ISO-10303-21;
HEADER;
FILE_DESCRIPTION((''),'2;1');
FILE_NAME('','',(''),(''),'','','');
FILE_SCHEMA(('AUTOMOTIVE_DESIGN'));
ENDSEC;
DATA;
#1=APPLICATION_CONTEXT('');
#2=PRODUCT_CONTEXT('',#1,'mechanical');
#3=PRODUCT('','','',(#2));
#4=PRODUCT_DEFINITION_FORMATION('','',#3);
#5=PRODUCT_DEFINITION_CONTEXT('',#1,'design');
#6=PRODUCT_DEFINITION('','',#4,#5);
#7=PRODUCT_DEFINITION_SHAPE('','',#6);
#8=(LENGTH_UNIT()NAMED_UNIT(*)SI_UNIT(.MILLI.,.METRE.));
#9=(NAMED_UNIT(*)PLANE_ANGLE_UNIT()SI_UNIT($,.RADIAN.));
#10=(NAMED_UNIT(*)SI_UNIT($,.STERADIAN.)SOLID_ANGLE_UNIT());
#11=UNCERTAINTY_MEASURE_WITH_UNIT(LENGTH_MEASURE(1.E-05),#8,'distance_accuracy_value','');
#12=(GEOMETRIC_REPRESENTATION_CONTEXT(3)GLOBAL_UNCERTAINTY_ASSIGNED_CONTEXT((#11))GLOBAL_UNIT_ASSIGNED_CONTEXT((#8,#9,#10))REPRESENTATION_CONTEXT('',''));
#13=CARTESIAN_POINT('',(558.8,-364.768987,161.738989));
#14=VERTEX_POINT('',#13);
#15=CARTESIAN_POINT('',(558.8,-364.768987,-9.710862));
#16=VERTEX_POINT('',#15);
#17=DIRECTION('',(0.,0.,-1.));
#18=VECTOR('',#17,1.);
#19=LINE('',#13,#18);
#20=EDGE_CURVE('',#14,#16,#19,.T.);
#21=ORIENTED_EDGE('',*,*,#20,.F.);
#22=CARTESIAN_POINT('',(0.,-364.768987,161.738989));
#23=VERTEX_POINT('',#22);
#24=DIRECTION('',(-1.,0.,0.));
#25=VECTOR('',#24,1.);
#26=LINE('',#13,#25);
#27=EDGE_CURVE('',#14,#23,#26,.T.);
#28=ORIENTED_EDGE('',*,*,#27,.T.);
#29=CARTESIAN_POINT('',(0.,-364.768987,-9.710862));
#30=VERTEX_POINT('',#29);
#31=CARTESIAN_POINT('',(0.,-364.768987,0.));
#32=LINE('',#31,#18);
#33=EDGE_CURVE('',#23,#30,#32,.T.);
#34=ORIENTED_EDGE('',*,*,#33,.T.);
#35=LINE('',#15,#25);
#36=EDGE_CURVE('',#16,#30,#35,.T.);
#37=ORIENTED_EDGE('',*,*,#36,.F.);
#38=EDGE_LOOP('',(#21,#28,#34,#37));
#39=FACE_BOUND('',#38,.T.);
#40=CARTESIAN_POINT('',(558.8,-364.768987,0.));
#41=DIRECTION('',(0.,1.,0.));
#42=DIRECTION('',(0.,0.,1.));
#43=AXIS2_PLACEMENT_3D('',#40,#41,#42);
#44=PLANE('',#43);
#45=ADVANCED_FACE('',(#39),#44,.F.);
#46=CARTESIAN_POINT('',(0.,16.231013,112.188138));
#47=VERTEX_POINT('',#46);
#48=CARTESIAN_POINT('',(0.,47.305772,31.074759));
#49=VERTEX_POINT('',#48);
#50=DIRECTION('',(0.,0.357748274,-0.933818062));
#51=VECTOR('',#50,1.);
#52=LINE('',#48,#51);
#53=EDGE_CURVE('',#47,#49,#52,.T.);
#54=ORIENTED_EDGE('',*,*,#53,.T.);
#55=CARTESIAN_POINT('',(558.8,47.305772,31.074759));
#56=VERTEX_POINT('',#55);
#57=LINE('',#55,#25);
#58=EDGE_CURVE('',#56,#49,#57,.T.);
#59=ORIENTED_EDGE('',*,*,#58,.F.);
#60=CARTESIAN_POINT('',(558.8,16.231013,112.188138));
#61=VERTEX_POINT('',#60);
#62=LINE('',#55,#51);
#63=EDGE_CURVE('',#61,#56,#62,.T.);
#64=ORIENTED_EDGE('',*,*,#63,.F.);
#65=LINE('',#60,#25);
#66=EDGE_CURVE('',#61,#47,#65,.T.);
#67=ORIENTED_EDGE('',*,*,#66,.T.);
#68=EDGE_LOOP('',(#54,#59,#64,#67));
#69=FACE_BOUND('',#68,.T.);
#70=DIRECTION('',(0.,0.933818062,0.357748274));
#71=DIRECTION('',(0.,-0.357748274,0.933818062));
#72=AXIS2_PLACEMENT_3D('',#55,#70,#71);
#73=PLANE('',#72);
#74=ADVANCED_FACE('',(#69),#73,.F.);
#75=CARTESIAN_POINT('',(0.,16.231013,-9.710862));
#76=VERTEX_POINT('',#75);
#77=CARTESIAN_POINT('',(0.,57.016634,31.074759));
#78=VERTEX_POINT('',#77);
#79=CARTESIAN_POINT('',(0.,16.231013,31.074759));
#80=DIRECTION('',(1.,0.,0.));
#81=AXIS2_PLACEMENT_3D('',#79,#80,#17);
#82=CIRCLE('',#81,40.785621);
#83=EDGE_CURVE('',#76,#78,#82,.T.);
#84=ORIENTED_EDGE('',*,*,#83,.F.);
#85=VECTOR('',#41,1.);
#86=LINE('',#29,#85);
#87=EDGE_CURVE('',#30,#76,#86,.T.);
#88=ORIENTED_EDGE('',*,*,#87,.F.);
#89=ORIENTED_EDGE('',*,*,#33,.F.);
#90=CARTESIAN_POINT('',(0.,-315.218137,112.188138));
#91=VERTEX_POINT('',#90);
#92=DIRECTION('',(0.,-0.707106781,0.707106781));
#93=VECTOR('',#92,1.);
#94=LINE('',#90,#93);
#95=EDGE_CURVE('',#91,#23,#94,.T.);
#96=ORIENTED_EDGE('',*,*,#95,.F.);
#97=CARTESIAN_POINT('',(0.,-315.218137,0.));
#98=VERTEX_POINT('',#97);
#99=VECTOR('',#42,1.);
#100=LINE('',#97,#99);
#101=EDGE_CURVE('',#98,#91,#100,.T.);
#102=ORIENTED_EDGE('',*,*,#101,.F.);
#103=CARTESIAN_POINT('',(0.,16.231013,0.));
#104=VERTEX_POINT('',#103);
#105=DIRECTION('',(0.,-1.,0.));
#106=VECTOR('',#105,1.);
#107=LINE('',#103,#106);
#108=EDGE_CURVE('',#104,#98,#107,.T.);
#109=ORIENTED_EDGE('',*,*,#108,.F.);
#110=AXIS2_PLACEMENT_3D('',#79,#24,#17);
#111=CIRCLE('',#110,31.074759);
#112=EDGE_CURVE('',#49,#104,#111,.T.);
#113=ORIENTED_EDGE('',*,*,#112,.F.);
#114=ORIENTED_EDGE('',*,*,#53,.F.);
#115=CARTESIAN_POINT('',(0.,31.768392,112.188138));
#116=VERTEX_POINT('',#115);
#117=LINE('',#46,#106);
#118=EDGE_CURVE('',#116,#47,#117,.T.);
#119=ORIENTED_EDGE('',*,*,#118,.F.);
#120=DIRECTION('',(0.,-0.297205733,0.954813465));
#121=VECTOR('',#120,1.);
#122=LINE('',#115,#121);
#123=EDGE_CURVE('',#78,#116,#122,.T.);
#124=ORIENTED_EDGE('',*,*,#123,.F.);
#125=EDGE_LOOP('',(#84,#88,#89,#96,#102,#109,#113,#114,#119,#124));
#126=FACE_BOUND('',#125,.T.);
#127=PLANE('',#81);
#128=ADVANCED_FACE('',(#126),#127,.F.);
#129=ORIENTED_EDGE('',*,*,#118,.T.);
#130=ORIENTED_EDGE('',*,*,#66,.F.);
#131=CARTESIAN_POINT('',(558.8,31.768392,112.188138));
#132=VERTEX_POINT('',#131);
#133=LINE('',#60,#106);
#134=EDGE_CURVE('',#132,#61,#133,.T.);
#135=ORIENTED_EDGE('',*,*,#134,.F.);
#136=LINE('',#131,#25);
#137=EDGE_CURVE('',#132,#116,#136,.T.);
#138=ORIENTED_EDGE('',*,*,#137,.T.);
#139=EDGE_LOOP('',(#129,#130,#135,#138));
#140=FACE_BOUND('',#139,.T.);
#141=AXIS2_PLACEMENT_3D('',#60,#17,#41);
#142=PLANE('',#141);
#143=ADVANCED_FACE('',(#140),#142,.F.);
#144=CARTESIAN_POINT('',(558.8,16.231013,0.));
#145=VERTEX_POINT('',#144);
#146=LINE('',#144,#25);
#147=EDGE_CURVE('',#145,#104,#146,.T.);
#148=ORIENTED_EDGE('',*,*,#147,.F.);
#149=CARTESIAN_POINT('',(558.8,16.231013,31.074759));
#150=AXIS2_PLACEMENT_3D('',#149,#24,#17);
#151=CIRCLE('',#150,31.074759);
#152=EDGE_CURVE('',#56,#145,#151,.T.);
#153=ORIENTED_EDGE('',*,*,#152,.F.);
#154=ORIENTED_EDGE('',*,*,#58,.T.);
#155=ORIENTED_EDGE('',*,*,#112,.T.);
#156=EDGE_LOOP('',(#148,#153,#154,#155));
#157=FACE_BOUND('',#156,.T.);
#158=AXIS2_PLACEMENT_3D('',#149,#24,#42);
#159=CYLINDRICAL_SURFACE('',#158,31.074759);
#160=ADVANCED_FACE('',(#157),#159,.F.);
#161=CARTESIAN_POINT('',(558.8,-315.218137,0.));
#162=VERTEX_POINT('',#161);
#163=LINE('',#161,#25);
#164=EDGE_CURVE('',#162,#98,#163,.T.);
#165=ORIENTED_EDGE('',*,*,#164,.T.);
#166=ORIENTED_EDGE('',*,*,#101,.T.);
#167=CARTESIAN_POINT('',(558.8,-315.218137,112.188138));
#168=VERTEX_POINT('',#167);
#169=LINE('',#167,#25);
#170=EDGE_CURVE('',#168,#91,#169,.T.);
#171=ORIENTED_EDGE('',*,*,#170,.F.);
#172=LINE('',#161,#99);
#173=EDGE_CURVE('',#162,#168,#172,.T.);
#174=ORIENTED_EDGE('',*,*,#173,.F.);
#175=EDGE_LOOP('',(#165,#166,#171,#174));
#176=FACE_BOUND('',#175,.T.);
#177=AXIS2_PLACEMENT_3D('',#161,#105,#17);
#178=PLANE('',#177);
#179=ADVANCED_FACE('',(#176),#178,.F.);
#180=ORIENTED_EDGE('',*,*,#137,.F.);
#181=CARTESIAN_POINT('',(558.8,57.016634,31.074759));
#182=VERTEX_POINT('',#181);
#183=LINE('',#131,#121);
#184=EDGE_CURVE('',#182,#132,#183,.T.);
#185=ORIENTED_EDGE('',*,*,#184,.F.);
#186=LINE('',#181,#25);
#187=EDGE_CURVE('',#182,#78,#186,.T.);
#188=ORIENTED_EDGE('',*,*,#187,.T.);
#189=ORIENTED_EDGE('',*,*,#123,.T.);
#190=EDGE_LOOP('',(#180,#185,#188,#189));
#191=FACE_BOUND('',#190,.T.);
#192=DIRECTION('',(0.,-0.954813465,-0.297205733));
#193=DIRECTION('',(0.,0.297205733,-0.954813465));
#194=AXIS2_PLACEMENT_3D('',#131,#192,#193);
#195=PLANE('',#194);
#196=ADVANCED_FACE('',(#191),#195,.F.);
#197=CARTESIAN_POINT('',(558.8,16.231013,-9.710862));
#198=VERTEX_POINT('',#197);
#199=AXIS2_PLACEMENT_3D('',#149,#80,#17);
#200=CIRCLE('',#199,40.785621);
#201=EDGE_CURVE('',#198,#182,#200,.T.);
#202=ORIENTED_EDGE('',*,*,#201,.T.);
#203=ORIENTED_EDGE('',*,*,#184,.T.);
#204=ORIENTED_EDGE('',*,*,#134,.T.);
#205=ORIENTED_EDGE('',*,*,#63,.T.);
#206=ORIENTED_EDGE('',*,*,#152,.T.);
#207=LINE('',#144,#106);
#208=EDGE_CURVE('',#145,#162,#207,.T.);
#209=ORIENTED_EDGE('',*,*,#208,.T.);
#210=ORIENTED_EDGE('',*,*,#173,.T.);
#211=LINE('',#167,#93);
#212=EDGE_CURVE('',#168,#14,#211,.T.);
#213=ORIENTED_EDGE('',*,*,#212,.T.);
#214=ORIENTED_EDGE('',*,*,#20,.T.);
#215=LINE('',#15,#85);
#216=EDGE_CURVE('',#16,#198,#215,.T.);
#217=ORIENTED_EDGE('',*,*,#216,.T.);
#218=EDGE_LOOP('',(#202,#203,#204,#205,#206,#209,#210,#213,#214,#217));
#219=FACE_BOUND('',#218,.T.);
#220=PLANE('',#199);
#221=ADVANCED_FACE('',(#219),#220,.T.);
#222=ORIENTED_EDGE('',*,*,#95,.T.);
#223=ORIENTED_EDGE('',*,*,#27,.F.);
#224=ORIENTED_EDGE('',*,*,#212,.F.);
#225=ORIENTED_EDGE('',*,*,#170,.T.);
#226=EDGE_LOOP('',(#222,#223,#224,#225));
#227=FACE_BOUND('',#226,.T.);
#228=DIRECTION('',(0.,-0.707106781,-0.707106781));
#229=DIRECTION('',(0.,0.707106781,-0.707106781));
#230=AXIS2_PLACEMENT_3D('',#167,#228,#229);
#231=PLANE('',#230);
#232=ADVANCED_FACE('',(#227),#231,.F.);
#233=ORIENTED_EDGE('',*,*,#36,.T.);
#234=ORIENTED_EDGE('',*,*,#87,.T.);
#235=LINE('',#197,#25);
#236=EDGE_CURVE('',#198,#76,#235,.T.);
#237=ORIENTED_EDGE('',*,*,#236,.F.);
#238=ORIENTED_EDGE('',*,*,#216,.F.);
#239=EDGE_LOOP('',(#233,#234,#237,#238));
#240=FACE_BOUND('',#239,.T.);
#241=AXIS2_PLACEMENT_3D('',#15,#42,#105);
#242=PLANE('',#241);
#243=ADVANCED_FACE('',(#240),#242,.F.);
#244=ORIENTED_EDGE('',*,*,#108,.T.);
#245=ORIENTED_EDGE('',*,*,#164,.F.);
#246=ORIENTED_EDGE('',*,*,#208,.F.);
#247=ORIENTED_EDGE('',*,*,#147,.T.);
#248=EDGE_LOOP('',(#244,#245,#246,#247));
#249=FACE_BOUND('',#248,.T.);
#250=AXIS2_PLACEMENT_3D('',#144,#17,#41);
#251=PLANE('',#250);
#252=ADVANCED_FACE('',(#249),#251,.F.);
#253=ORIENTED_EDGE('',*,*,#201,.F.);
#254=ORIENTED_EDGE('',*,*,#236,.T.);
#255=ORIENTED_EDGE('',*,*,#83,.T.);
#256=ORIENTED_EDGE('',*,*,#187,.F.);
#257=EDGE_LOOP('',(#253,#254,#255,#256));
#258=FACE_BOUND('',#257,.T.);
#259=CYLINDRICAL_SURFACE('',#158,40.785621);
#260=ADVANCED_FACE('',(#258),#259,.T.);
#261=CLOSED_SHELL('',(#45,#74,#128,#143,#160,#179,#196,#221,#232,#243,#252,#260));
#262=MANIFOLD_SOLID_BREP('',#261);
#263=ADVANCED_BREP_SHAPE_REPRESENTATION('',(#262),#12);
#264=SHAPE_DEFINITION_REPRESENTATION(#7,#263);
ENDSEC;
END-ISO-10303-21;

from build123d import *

# Parameters (mm, degrees)
BOSS_EXTRUDE1_DEPTH = 558.8


with BuildPart() as part:
    # Sketch1 → Boss-Extrude1 (new body)
    with BuildSketch(Plane(origin=(0, 0, 0), x_dir=(0, 0, -1), z_dir=(1, 0, 0))):
        with BuildLine():
            Line((0, 16.231012583), (0, -315.218136756))
            Line((0, -315.218136756), (-112.188138154, -315.218136756))
            Line((-112.188138154, -315.218136756), (-161.738988814, -364.768987417))
            Line((-161.738988814, -364.768987417), (0, -364.768987417))
            Line((0, -364.768987417), (9.710862229, -364.768987417))
            Line((9.710862229, -364.768987417), (9.710862229, 16.231012583))
            ThreePointArc((9.710862229, 16.231012583), (-2.234969693, 45.070802024), (-31.074759134, 57.016633947))
            Line((-31.074759134, 57.016633947), (-112.188138154, 31.76839215))
            Line((-112.188138154, 31.76839215), (-112.188138154, 16.231012583))
            Line((-112.188138154, 16.231012583), (-31.074759134, 47.305771717))
            ThreePointArc((-31.074759134, 47.305771717), (-9.101586227, 38.204185491), (0, 16.231012583))
        make_face()
    extrude(amount=BOSS_EXTRUDE1_DEPTH)


solid = part.part
